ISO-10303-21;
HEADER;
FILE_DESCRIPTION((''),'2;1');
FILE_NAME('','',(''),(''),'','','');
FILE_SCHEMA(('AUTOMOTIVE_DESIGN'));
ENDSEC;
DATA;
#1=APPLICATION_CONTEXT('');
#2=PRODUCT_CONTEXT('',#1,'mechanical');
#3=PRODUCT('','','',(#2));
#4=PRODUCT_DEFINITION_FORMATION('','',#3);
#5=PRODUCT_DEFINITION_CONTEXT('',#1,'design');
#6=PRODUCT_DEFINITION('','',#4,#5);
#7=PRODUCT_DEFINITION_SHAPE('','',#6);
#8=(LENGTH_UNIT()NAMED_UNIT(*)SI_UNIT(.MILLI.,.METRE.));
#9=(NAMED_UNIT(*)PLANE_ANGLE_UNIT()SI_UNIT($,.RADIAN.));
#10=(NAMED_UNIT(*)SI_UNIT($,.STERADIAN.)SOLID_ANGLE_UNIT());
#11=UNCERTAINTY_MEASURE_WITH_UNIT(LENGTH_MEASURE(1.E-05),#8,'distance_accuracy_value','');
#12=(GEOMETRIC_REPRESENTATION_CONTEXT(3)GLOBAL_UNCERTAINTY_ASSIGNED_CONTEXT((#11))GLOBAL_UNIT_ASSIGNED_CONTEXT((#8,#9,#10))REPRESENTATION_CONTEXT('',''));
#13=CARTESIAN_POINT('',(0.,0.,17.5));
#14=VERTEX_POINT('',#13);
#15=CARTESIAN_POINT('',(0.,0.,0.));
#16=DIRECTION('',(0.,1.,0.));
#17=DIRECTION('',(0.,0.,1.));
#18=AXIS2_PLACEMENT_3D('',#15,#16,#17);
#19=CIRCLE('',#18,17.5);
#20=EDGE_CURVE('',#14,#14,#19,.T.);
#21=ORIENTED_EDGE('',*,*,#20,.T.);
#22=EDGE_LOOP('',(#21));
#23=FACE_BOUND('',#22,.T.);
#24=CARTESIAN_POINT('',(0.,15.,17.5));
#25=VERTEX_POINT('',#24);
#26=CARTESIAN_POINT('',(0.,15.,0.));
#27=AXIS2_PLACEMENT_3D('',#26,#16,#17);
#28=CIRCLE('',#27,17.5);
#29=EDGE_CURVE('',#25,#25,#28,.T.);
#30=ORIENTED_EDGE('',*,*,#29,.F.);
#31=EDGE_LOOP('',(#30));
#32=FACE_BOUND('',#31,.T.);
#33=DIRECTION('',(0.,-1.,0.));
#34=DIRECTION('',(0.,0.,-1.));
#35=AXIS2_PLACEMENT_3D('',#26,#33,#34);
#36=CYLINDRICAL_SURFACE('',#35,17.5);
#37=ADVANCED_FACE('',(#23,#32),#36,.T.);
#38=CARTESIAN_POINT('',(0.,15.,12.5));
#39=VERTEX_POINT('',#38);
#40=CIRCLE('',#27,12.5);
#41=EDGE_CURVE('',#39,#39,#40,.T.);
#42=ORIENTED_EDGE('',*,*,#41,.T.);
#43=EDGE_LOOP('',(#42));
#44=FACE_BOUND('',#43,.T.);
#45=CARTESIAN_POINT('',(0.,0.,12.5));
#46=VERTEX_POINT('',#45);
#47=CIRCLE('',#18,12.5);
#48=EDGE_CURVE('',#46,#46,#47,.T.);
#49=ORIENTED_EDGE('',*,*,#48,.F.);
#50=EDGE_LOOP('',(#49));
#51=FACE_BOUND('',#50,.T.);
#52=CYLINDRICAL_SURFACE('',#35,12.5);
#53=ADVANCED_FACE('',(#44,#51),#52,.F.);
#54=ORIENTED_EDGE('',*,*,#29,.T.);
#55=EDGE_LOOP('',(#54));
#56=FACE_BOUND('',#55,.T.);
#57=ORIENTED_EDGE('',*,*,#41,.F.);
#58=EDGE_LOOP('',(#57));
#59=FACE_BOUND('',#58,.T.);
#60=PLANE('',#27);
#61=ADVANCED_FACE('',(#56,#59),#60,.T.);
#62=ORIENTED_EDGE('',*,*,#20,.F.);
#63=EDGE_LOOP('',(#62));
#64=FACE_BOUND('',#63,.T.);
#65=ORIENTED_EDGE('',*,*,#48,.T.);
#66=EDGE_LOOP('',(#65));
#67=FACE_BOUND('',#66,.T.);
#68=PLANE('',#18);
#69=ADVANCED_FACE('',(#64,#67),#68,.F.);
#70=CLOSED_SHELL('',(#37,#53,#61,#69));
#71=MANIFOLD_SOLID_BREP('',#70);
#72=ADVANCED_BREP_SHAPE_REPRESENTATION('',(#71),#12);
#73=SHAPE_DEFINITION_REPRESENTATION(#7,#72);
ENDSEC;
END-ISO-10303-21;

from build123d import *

# Parameters (mm, degrees)
CROQUIS1_R              = 17.5
CROQUIS1_R_2            = 12.5
SALIENTE_EXTRUIR1_DEPTH = 15


with BuildPart() as part:
    # Croquis1 → Saliente-Extruir1 (new body)
    with BuildSketch(Plane(origin=(0, 0, 0), x_dir=(1, 0, 0), z_dir=(0, 1, 0))):
        Circle(CROQUIS1_R)
        Circle(CROQUIS1_R_2, mode=Mode.SUBTRACT)
    extrude(amount=SALIENTE_EXTRUIR1_DEPTH)


solid = part.part
